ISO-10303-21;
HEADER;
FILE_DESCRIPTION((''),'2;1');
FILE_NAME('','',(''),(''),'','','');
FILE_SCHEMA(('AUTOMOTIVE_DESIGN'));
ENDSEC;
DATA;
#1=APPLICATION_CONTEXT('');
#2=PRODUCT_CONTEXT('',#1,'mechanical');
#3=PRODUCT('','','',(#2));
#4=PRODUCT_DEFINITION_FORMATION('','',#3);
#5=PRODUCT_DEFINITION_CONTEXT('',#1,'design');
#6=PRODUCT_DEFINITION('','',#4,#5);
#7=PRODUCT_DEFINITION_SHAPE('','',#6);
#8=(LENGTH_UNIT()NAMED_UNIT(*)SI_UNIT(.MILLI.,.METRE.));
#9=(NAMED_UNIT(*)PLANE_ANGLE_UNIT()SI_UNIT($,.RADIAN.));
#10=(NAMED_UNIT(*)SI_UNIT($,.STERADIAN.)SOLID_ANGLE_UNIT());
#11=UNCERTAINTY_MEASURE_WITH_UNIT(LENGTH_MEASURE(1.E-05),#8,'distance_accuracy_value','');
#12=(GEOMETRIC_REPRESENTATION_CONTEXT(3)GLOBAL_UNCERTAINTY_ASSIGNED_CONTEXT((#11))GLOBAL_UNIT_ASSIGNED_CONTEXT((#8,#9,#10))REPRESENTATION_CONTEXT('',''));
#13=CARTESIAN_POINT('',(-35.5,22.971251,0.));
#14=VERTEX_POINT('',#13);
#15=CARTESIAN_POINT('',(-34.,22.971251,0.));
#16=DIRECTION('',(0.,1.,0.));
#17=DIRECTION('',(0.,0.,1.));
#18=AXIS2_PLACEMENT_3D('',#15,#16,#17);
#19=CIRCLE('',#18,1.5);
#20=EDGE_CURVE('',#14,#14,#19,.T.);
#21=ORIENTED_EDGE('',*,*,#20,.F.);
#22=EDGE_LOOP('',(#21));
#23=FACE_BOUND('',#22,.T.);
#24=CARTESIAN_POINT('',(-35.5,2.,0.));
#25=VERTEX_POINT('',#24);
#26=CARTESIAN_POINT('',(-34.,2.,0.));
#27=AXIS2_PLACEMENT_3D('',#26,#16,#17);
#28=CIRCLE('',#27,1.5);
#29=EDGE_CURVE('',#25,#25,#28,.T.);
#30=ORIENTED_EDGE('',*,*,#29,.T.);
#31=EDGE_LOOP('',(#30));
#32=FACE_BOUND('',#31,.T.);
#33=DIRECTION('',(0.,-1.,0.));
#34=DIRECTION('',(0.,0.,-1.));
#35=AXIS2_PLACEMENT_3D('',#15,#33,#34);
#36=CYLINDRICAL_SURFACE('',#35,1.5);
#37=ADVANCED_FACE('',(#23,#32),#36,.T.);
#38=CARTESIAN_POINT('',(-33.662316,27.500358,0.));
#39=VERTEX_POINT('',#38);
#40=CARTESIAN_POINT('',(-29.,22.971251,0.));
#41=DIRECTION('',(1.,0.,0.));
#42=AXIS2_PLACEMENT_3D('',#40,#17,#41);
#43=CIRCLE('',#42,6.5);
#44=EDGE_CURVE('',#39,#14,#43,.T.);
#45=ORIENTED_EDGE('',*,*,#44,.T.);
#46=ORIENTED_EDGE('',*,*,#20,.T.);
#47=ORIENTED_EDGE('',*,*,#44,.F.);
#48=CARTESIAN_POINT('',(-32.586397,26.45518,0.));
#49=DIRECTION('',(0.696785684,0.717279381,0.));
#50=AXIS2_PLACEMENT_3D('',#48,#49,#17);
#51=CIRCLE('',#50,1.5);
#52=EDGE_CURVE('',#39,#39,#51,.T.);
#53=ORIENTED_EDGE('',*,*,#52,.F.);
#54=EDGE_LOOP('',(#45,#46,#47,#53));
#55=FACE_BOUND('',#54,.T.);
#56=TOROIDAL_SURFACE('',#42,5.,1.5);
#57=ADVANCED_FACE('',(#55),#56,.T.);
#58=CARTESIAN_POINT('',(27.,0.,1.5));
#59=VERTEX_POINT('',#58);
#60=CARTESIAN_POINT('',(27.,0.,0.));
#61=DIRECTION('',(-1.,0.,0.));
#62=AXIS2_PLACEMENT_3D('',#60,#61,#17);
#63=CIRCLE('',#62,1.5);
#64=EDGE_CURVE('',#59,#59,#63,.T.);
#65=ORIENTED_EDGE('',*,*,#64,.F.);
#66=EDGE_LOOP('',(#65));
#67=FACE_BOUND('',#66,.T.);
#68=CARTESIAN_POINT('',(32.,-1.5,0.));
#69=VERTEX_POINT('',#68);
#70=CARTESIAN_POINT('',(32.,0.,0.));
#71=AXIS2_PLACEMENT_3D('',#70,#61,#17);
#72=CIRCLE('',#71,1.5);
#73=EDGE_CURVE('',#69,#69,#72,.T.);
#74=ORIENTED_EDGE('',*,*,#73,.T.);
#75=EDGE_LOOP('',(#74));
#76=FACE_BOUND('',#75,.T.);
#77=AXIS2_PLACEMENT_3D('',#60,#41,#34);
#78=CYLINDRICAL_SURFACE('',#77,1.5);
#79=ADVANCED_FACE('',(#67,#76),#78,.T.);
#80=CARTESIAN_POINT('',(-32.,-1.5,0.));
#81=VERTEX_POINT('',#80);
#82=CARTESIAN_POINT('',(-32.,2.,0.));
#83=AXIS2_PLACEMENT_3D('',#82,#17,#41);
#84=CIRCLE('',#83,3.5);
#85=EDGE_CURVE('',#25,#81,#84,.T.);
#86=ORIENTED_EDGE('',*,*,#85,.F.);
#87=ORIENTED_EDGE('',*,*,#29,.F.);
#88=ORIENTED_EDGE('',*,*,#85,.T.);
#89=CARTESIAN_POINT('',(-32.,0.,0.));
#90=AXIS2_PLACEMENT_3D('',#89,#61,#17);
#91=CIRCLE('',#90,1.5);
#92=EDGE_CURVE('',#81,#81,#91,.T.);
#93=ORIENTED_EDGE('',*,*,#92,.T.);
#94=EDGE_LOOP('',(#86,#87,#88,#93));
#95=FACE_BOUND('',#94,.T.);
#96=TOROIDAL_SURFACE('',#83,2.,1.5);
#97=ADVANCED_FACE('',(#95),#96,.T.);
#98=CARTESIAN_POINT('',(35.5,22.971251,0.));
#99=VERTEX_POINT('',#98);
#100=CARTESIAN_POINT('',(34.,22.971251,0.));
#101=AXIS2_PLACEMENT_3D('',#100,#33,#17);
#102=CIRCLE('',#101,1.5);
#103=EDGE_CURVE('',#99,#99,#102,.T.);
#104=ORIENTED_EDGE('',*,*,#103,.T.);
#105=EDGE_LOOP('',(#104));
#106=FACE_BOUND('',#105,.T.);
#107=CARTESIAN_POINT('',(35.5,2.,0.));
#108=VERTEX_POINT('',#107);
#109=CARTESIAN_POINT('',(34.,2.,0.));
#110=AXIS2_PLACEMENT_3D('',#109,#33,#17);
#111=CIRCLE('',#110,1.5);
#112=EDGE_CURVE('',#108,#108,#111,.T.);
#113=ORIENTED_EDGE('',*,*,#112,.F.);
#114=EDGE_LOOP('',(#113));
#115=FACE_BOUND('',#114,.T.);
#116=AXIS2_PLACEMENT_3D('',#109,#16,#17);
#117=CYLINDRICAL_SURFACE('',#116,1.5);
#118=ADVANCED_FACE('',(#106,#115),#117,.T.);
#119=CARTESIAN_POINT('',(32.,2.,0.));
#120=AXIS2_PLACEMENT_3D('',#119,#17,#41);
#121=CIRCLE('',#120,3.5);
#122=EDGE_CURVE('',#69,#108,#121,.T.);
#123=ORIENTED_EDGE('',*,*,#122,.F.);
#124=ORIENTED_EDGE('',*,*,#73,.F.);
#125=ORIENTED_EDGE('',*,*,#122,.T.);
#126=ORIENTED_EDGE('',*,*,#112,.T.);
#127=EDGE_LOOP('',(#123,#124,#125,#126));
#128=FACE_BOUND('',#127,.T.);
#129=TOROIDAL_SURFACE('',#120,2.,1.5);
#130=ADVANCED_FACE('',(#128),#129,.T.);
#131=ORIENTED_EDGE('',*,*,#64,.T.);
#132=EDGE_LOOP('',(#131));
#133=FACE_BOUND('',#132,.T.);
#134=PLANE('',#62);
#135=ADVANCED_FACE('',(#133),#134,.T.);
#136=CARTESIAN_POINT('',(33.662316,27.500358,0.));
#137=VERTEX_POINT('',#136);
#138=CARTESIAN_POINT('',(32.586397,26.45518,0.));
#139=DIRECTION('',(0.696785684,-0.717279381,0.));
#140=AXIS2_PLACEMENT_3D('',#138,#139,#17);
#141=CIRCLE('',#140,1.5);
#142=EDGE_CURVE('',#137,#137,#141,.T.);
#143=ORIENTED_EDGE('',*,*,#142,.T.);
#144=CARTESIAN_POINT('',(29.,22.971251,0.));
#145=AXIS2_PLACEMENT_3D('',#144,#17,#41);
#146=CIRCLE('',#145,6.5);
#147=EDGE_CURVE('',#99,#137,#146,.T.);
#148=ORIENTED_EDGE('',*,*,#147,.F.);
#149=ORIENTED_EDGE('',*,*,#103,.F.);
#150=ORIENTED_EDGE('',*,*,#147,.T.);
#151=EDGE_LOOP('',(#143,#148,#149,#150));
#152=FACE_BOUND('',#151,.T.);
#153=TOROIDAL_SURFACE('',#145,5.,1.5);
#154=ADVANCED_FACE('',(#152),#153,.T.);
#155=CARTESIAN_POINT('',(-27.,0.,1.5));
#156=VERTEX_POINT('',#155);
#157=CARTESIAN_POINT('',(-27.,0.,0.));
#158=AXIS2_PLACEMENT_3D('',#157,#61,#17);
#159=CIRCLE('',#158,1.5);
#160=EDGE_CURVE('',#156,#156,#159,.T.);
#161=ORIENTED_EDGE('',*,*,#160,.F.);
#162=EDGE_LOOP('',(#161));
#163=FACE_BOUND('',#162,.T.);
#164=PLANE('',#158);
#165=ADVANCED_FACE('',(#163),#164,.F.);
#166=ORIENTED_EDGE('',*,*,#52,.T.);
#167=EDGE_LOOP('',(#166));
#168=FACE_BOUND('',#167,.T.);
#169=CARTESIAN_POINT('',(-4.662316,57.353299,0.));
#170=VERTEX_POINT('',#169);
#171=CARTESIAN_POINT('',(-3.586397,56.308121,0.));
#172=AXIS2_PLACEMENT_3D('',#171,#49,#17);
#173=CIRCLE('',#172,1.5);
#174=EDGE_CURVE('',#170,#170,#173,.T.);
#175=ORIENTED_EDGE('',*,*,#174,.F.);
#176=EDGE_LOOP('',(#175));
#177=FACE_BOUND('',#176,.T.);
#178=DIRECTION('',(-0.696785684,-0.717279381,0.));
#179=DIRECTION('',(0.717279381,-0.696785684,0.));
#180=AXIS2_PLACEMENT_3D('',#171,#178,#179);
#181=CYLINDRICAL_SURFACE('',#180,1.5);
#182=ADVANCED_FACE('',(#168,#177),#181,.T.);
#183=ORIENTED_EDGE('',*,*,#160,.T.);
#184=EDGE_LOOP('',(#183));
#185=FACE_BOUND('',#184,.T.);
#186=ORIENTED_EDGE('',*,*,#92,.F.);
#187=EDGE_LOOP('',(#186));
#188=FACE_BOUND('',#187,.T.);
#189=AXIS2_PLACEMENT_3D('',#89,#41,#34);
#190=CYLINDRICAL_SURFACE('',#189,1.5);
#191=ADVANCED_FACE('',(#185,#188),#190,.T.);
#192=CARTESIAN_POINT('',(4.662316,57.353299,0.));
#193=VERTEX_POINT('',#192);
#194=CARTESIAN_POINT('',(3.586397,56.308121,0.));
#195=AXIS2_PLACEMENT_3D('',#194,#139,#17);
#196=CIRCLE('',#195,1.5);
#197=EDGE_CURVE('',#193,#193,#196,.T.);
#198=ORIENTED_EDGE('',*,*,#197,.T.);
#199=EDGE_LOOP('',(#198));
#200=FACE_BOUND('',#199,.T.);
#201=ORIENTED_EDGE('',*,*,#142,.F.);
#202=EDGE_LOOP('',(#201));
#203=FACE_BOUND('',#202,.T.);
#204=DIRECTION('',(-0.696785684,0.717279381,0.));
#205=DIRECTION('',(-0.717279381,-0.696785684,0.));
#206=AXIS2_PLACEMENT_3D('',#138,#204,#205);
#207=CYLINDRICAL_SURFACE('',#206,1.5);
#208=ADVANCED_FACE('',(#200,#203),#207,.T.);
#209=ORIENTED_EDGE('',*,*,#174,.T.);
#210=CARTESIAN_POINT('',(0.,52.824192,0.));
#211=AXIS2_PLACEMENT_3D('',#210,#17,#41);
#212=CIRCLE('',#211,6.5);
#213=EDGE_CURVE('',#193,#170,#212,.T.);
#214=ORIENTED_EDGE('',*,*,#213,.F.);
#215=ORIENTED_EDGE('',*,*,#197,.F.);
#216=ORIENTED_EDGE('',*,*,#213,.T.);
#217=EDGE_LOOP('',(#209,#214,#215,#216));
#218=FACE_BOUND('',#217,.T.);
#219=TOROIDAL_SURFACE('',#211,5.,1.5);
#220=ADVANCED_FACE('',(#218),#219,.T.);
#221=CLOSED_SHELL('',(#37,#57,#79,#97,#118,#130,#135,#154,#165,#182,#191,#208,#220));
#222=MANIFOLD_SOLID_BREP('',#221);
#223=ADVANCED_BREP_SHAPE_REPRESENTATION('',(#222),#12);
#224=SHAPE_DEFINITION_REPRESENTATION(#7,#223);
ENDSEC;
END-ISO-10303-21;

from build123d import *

# Parameters (mm, degrees)
SWEEP2_PROFILE_R = 1.5


with BuildPart() as part:
    # Sweep2: sweep along a path in Sketch1
    with BuildLine(Plane.XY) as sweep2_path:
        Line((27, 0), (32, 0))
        ThreePointArc((32, 0), (33.414213562, 0.585786438), (34, 2))
        Line((34, 2), (34, 22.971251236))
        ThreePointArc((34, 22.971251236), (33.633140648, 24.851146908), (32.586396904, 26.455179657))
        Line((32.586396904, 26.455179657), (3.586396904, 56.308120834))
        ThreePointArc((3.586396904, 56.308120834), (0, 57.824192412), (-3.586396904, 56.308120834))
        Line((-3.586396904, 56.308120834), (-32.586396904, 26.455179657))
        ThreePointArc((-32.586396904, 26.455179657), (-33.633140648, 24.851146908), (-34, 22.971251236))
        Line((-34, 22.971251236), (-34, 2))
        ThreePointArc((-34, 2), (-33.414213562, 0.585786438), (-32, 0))
        Line((-32, 0), (-27, 0))
    # Sweep2 profile (on start of the path) → Sweep2 (sweep)
    with BuildSketch(Plane(origin=(27, 0, 0), x_dir=(0, 0, 1), z_dir=(1, 0, 0))):
        Circle(SWEEP2_PROFILE_R)
    sweep(path=sweep2_path.line)


solid = part.part
